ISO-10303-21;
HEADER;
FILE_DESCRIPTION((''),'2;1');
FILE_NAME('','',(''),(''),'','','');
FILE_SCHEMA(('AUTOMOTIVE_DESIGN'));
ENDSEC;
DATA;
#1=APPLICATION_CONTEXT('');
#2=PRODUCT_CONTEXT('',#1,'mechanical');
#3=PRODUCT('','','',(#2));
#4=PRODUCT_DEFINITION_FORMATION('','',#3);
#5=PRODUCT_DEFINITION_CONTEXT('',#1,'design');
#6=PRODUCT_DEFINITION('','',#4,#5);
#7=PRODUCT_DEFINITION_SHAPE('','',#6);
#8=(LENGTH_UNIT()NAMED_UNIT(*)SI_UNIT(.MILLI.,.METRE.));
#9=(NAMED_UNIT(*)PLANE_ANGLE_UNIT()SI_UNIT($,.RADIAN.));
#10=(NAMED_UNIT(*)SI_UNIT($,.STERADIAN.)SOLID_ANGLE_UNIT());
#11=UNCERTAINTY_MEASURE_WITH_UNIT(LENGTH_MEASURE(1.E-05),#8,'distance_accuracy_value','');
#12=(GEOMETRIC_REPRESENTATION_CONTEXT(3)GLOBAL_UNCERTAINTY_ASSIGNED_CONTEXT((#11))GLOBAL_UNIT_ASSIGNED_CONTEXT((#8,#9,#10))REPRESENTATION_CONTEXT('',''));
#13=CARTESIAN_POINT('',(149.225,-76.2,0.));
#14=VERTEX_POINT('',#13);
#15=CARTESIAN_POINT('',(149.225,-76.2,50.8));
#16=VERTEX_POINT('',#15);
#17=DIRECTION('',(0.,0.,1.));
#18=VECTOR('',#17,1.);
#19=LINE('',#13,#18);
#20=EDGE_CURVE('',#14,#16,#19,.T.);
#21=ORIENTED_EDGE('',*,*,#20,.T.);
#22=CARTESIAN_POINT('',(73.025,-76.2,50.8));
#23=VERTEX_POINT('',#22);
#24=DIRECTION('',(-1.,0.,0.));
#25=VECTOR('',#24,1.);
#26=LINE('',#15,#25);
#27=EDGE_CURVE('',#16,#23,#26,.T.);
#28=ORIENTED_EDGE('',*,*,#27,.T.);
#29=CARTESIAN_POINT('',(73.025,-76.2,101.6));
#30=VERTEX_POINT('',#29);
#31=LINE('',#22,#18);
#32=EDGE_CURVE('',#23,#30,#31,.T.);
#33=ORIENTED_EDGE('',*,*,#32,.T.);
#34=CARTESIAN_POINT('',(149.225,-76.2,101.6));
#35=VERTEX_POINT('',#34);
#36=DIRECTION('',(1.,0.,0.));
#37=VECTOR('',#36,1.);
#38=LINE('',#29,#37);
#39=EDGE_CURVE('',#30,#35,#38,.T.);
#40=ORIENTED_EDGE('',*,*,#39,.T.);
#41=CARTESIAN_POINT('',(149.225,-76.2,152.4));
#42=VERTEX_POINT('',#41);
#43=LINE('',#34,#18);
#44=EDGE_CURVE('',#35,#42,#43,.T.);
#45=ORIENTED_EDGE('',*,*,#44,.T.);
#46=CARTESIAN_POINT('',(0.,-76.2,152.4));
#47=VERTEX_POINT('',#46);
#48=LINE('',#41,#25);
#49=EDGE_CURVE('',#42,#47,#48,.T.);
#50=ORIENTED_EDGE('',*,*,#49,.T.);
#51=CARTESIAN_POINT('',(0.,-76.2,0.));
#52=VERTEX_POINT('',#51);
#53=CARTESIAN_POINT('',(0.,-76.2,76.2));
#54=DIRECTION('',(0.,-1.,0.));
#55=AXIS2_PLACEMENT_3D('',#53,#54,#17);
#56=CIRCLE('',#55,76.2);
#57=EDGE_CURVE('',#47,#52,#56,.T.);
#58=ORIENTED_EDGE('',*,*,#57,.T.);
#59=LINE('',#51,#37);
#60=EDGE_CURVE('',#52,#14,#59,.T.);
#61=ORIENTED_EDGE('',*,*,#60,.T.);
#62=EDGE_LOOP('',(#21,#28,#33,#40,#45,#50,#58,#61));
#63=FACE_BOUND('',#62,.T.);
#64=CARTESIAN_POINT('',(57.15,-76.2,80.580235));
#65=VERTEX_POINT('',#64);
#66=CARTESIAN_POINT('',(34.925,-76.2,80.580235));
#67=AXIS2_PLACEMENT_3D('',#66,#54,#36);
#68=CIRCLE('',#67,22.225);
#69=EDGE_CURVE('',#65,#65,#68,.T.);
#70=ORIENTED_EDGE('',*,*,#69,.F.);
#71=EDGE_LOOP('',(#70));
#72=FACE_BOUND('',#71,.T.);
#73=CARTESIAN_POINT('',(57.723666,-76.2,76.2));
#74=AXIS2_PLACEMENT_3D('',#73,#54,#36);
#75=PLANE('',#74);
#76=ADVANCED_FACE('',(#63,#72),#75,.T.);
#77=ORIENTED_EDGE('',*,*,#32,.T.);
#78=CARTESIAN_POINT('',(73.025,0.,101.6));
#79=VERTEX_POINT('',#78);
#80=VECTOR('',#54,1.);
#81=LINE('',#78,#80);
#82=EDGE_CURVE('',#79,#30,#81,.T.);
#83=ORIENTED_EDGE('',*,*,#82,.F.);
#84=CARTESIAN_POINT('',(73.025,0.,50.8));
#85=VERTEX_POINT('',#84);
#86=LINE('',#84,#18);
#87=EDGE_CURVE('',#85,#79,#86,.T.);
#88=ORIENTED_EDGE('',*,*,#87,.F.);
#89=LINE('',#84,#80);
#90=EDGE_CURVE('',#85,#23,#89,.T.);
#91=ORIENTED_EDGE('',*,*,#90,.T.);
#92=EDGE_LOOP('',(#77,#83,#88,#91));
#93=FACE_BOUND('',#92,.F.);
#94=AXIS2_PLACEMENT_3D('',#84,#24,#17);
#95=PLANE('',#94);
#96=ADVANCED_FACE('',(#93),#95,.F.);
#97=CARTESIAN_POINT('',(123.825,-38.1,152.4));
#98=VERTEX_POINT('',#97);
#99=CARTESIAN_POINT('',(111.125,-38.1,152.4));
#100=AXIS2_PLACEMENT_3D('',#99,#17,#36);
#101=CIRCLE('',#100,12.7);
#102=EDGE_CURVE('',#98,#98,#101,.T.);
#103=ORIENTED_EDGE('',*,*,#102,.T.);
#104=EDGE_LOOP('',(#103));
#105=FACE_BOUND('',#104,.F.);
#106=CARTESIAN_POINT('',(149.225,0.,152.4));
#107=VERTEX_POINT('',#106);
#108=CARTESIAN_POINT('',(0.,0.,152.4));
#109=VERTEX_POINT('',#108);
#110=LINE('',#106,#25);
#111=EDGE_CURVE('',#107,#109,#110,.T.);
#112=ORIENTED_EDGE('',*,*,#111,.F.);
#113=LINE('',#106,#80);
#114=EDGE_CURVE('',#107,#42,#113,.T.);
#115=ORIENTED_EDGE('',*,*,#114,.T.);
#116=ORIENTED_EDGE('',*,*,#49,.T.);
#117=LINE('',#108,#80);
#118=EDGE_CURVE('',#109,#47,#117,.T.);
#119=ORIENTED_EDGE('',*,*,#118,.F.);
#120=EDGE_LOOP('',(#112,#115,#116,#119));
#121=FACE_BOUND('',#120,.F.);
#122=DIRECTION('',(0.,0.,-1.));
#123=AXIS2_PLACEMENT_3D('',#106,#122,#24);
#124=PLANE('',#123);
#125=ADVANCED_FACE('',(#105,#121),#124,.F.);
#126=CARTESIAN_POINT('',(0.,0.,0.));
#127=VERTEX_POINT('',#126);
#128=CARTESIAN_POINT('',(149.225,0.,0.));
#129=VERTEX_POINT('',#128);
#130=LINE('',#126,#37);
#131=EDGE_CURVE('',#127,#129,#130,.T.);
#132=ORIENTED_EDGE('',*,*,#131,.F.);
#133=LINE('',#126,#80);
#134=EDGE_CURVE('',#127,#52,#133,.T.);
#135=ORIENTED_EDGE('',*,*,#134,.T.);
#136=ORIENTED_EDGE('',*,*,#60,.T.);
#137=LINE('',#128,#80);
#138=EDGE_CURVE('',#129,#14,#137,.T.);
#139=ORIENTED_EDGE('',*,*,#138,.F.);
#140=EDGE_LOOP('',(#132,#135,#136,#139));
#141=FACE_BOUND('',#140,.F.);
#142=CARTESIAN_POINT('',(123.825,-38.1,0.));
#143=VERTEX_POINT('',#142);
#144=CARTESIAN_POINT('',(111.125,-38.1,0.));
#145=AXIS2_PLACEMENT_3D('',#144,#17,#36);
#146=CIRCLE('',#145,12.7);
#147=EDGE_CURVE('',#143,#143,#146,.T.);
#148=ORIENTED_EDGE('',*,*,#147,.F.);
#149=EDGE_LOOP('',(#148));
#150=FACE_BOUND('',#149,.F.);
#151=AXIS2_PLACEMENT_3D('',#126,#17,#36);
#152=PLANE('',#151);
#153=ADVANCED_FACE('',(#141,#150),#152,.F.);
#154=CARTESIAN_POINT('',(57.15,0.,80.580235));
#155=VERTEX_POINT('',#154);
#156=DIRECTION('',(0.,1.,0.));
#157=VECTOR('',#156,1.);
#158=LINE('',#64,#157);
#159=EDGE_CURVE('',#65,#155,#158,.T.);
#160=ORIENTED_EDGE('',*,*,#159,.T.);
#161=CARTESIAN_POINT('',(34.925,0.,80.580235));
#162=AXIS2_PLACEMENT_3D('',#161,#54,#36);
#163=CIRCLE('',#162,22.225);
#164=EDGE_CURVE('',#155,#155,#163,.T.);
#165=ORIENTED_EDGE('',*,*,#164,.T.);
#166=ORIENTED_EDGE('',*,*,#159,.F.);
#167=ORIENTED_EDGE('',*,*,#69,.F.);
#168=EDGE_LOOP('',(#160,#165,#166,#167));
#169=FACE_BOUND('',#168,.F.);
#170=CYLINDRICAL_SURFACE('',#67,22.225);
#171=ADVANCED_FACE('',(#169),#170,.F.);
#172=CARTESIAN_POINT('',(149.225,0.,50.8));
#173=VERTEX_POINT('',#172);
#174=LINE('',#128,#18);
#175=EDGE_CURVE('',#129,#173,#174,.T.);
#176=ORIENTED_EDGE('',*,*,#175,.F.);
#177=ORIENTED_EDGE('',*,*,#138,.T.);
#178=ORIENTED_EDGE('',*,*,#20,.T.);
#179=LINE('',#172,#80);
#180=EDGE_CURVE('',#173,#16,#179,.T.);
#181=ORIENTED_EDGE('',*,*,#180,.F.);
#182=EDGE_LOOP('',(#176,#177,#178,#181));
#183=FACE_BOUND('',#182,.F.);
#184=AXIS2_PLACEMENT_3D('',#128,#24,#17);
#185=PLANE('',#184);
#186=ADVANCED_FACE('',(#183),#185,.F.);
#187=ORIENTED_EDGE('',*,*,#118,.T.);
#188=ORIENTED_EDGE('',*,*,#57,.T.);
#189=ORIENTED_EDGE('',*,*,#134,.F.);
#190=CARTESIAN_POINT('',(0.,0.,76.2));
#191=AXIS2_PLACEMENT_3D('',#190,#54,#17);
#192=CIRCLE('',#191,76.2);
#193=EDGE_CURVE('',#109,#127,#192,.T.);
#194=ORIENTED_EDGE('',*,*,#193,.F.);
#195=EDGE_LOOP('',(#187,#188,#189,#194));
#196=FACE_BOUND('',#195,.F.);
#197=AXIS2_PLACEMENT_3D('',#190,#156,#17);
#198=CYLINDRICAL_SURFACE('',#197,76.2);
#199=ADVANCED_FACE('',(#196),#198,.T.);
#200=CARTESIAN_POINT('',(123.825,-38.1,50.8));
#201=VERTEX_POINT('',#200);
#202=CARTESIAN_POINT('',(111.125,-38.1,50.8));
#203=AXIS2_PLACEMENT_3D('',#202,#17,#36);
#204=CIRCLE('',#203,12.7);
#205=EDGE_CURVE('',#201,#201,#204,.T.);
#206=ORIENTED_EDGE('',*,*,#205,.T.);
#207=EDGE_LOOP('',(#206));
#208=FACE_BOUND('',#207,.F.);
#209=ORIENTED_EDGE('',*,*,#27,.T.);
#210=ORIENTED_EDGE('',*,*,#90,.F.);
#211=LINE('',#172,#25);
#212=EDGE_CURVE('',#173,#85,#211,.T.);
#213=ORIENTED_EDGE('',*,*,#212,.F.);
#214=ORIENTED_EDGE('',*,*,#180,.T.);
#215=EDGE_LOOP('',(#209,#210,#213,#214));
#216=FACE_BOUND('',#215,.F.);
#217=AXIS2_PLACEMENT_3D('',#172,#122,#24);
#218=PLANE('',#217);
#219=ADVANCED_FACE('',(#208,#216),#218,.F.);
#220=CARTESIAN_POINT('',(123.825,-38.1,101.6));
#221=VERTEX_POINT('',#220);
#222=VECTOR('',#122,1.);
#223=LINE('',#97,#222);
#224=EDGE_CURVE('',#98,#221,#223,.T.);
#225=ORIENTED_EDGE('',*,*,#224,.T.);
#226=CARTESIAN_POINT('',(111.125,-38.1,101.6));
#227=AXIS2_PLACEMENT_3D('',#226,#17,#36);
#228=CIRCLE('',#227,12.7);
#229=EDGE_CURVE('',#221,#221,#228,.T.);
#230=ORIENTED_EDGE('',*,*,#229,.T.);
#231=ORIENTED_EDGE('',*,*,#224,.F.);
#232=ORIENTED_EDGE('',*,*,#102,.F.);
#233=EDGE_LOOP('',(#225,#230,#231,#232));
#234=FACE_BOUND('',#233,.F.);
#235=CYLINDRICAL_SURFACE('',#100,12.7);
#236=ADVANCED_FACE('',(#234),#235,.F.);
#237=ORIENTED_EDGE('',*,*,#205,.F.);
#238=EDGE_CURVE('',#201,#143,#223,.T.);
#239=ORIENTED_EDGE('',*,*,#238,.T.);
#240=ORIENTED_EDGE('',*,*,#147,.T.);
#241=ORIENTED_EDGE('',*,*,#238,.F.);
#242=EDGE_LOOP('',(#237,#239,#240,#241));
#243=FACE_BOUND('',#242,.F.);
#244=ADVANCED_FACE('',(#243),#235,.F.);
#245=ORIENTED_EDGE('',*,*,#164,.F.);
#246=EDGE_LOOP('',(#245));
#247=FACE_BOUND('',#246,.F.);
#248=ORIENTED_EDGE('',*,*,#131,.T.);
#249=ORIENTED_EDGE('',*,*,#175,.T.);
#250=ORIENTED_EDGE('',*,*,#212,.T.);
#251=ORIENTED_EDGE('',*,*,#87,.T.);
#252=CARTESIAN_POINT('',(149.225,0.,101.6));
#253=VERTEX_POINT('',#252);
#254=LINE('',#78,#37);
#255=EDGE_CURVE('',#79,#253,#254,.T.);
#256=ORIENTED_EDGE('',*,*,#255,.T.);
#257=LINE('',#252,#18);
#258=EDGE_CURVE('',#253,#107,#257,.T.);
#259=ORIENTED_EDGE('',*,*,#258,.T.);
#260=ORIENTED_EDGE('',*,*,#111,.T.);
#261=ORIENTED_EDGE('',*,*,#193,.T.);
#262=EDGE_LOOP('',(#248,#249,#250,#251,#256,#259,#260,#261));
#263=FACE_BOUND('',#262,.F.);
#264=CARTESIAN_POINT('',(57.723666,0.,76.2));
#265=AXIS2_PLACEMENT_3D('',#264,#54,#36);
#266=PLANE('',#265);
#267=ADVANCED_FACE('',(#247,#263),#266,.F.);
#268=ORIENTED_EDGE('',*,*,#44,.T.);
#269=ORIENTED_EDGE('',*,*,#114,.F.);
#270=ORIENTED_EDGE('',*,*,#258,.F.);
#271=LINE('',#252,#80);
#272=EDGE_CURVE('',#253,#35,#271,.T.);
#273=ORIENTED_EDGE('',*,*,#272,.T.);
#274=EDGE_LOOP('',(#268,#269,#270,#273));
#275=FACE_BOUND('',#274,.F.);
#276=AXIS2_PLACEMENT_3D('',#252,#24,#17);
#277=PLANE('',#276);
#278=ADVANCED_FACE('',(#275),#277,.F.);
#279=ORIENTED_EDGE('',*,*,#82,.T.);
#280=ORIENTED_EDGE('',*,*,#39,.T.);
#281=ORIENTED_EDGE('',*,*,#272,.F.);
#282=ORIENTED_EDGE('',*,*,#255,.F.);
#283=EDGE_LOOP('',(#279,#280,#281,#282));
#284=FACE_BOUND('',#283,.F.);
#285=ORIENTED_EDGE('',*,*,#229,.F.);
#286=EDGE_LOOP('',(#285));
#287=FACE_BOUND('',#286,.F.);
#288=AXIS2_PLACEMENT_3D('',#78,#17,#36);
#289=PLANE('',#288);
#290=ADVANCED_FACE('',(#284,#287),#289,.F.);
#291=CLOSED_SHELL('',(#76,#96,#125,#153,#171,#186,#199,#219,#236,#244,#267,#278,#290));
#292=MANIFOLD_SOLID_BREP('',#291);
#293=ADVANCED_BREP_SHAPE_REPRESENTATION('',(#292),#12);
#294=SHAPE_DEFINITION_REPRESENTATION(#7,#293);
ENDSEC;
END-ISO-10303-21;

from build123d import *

# Parameters (mm, degrees)
F1_DEPTH = 76.2
F2_R     = 22.225
F3_DEPTH = 254
F4_R     = 12.7
F5_DEPTH = 508


with BuildPart() as f1:
    # F0 (on Front) → F1 (new body)
    with BuildSketch(Plane.XZ):
        with BuildLine():
            ThreePointArc((0, 152.4), (-76.2, 76.2), (0, 0))
            Line((0, 0), (149.225, 0))
            Line((149.225, 0), (149.225, 50.8))
            Line((149.225, 50.8), (73.025, 50.8))
            Line((73.025, 50.8), (73.025, 101.6))
            Line((73.025, 101.6), (149.225, 101.6))
            Line((149.225, 101.6), (149.225, 152.4))
            Line((149.225, 152.4), (0, 152.4))
        make_face()
    extrude(amount=F1_DEPTH)

    # F2 (on face) → F3 (cut)
    with BuildSketch(Plane.XZ.offset(76.2)):
        with Locations((34.925, 80.580235)):
            Circle(F2_R)
    extrude(amount=-F3_DEPTH, mode=Mode.SUBTRACT)

    # F4 (on face) → F5 (cut)
    with BuildSketch(Plane.XY.offset(152.4)):
        with Locations((111.125, -38.1)):
            Circle(F4_R)
    extrude(amount=-F5_DEPTH, mode=Mode.SUBTRACT)


solid = f1.part
